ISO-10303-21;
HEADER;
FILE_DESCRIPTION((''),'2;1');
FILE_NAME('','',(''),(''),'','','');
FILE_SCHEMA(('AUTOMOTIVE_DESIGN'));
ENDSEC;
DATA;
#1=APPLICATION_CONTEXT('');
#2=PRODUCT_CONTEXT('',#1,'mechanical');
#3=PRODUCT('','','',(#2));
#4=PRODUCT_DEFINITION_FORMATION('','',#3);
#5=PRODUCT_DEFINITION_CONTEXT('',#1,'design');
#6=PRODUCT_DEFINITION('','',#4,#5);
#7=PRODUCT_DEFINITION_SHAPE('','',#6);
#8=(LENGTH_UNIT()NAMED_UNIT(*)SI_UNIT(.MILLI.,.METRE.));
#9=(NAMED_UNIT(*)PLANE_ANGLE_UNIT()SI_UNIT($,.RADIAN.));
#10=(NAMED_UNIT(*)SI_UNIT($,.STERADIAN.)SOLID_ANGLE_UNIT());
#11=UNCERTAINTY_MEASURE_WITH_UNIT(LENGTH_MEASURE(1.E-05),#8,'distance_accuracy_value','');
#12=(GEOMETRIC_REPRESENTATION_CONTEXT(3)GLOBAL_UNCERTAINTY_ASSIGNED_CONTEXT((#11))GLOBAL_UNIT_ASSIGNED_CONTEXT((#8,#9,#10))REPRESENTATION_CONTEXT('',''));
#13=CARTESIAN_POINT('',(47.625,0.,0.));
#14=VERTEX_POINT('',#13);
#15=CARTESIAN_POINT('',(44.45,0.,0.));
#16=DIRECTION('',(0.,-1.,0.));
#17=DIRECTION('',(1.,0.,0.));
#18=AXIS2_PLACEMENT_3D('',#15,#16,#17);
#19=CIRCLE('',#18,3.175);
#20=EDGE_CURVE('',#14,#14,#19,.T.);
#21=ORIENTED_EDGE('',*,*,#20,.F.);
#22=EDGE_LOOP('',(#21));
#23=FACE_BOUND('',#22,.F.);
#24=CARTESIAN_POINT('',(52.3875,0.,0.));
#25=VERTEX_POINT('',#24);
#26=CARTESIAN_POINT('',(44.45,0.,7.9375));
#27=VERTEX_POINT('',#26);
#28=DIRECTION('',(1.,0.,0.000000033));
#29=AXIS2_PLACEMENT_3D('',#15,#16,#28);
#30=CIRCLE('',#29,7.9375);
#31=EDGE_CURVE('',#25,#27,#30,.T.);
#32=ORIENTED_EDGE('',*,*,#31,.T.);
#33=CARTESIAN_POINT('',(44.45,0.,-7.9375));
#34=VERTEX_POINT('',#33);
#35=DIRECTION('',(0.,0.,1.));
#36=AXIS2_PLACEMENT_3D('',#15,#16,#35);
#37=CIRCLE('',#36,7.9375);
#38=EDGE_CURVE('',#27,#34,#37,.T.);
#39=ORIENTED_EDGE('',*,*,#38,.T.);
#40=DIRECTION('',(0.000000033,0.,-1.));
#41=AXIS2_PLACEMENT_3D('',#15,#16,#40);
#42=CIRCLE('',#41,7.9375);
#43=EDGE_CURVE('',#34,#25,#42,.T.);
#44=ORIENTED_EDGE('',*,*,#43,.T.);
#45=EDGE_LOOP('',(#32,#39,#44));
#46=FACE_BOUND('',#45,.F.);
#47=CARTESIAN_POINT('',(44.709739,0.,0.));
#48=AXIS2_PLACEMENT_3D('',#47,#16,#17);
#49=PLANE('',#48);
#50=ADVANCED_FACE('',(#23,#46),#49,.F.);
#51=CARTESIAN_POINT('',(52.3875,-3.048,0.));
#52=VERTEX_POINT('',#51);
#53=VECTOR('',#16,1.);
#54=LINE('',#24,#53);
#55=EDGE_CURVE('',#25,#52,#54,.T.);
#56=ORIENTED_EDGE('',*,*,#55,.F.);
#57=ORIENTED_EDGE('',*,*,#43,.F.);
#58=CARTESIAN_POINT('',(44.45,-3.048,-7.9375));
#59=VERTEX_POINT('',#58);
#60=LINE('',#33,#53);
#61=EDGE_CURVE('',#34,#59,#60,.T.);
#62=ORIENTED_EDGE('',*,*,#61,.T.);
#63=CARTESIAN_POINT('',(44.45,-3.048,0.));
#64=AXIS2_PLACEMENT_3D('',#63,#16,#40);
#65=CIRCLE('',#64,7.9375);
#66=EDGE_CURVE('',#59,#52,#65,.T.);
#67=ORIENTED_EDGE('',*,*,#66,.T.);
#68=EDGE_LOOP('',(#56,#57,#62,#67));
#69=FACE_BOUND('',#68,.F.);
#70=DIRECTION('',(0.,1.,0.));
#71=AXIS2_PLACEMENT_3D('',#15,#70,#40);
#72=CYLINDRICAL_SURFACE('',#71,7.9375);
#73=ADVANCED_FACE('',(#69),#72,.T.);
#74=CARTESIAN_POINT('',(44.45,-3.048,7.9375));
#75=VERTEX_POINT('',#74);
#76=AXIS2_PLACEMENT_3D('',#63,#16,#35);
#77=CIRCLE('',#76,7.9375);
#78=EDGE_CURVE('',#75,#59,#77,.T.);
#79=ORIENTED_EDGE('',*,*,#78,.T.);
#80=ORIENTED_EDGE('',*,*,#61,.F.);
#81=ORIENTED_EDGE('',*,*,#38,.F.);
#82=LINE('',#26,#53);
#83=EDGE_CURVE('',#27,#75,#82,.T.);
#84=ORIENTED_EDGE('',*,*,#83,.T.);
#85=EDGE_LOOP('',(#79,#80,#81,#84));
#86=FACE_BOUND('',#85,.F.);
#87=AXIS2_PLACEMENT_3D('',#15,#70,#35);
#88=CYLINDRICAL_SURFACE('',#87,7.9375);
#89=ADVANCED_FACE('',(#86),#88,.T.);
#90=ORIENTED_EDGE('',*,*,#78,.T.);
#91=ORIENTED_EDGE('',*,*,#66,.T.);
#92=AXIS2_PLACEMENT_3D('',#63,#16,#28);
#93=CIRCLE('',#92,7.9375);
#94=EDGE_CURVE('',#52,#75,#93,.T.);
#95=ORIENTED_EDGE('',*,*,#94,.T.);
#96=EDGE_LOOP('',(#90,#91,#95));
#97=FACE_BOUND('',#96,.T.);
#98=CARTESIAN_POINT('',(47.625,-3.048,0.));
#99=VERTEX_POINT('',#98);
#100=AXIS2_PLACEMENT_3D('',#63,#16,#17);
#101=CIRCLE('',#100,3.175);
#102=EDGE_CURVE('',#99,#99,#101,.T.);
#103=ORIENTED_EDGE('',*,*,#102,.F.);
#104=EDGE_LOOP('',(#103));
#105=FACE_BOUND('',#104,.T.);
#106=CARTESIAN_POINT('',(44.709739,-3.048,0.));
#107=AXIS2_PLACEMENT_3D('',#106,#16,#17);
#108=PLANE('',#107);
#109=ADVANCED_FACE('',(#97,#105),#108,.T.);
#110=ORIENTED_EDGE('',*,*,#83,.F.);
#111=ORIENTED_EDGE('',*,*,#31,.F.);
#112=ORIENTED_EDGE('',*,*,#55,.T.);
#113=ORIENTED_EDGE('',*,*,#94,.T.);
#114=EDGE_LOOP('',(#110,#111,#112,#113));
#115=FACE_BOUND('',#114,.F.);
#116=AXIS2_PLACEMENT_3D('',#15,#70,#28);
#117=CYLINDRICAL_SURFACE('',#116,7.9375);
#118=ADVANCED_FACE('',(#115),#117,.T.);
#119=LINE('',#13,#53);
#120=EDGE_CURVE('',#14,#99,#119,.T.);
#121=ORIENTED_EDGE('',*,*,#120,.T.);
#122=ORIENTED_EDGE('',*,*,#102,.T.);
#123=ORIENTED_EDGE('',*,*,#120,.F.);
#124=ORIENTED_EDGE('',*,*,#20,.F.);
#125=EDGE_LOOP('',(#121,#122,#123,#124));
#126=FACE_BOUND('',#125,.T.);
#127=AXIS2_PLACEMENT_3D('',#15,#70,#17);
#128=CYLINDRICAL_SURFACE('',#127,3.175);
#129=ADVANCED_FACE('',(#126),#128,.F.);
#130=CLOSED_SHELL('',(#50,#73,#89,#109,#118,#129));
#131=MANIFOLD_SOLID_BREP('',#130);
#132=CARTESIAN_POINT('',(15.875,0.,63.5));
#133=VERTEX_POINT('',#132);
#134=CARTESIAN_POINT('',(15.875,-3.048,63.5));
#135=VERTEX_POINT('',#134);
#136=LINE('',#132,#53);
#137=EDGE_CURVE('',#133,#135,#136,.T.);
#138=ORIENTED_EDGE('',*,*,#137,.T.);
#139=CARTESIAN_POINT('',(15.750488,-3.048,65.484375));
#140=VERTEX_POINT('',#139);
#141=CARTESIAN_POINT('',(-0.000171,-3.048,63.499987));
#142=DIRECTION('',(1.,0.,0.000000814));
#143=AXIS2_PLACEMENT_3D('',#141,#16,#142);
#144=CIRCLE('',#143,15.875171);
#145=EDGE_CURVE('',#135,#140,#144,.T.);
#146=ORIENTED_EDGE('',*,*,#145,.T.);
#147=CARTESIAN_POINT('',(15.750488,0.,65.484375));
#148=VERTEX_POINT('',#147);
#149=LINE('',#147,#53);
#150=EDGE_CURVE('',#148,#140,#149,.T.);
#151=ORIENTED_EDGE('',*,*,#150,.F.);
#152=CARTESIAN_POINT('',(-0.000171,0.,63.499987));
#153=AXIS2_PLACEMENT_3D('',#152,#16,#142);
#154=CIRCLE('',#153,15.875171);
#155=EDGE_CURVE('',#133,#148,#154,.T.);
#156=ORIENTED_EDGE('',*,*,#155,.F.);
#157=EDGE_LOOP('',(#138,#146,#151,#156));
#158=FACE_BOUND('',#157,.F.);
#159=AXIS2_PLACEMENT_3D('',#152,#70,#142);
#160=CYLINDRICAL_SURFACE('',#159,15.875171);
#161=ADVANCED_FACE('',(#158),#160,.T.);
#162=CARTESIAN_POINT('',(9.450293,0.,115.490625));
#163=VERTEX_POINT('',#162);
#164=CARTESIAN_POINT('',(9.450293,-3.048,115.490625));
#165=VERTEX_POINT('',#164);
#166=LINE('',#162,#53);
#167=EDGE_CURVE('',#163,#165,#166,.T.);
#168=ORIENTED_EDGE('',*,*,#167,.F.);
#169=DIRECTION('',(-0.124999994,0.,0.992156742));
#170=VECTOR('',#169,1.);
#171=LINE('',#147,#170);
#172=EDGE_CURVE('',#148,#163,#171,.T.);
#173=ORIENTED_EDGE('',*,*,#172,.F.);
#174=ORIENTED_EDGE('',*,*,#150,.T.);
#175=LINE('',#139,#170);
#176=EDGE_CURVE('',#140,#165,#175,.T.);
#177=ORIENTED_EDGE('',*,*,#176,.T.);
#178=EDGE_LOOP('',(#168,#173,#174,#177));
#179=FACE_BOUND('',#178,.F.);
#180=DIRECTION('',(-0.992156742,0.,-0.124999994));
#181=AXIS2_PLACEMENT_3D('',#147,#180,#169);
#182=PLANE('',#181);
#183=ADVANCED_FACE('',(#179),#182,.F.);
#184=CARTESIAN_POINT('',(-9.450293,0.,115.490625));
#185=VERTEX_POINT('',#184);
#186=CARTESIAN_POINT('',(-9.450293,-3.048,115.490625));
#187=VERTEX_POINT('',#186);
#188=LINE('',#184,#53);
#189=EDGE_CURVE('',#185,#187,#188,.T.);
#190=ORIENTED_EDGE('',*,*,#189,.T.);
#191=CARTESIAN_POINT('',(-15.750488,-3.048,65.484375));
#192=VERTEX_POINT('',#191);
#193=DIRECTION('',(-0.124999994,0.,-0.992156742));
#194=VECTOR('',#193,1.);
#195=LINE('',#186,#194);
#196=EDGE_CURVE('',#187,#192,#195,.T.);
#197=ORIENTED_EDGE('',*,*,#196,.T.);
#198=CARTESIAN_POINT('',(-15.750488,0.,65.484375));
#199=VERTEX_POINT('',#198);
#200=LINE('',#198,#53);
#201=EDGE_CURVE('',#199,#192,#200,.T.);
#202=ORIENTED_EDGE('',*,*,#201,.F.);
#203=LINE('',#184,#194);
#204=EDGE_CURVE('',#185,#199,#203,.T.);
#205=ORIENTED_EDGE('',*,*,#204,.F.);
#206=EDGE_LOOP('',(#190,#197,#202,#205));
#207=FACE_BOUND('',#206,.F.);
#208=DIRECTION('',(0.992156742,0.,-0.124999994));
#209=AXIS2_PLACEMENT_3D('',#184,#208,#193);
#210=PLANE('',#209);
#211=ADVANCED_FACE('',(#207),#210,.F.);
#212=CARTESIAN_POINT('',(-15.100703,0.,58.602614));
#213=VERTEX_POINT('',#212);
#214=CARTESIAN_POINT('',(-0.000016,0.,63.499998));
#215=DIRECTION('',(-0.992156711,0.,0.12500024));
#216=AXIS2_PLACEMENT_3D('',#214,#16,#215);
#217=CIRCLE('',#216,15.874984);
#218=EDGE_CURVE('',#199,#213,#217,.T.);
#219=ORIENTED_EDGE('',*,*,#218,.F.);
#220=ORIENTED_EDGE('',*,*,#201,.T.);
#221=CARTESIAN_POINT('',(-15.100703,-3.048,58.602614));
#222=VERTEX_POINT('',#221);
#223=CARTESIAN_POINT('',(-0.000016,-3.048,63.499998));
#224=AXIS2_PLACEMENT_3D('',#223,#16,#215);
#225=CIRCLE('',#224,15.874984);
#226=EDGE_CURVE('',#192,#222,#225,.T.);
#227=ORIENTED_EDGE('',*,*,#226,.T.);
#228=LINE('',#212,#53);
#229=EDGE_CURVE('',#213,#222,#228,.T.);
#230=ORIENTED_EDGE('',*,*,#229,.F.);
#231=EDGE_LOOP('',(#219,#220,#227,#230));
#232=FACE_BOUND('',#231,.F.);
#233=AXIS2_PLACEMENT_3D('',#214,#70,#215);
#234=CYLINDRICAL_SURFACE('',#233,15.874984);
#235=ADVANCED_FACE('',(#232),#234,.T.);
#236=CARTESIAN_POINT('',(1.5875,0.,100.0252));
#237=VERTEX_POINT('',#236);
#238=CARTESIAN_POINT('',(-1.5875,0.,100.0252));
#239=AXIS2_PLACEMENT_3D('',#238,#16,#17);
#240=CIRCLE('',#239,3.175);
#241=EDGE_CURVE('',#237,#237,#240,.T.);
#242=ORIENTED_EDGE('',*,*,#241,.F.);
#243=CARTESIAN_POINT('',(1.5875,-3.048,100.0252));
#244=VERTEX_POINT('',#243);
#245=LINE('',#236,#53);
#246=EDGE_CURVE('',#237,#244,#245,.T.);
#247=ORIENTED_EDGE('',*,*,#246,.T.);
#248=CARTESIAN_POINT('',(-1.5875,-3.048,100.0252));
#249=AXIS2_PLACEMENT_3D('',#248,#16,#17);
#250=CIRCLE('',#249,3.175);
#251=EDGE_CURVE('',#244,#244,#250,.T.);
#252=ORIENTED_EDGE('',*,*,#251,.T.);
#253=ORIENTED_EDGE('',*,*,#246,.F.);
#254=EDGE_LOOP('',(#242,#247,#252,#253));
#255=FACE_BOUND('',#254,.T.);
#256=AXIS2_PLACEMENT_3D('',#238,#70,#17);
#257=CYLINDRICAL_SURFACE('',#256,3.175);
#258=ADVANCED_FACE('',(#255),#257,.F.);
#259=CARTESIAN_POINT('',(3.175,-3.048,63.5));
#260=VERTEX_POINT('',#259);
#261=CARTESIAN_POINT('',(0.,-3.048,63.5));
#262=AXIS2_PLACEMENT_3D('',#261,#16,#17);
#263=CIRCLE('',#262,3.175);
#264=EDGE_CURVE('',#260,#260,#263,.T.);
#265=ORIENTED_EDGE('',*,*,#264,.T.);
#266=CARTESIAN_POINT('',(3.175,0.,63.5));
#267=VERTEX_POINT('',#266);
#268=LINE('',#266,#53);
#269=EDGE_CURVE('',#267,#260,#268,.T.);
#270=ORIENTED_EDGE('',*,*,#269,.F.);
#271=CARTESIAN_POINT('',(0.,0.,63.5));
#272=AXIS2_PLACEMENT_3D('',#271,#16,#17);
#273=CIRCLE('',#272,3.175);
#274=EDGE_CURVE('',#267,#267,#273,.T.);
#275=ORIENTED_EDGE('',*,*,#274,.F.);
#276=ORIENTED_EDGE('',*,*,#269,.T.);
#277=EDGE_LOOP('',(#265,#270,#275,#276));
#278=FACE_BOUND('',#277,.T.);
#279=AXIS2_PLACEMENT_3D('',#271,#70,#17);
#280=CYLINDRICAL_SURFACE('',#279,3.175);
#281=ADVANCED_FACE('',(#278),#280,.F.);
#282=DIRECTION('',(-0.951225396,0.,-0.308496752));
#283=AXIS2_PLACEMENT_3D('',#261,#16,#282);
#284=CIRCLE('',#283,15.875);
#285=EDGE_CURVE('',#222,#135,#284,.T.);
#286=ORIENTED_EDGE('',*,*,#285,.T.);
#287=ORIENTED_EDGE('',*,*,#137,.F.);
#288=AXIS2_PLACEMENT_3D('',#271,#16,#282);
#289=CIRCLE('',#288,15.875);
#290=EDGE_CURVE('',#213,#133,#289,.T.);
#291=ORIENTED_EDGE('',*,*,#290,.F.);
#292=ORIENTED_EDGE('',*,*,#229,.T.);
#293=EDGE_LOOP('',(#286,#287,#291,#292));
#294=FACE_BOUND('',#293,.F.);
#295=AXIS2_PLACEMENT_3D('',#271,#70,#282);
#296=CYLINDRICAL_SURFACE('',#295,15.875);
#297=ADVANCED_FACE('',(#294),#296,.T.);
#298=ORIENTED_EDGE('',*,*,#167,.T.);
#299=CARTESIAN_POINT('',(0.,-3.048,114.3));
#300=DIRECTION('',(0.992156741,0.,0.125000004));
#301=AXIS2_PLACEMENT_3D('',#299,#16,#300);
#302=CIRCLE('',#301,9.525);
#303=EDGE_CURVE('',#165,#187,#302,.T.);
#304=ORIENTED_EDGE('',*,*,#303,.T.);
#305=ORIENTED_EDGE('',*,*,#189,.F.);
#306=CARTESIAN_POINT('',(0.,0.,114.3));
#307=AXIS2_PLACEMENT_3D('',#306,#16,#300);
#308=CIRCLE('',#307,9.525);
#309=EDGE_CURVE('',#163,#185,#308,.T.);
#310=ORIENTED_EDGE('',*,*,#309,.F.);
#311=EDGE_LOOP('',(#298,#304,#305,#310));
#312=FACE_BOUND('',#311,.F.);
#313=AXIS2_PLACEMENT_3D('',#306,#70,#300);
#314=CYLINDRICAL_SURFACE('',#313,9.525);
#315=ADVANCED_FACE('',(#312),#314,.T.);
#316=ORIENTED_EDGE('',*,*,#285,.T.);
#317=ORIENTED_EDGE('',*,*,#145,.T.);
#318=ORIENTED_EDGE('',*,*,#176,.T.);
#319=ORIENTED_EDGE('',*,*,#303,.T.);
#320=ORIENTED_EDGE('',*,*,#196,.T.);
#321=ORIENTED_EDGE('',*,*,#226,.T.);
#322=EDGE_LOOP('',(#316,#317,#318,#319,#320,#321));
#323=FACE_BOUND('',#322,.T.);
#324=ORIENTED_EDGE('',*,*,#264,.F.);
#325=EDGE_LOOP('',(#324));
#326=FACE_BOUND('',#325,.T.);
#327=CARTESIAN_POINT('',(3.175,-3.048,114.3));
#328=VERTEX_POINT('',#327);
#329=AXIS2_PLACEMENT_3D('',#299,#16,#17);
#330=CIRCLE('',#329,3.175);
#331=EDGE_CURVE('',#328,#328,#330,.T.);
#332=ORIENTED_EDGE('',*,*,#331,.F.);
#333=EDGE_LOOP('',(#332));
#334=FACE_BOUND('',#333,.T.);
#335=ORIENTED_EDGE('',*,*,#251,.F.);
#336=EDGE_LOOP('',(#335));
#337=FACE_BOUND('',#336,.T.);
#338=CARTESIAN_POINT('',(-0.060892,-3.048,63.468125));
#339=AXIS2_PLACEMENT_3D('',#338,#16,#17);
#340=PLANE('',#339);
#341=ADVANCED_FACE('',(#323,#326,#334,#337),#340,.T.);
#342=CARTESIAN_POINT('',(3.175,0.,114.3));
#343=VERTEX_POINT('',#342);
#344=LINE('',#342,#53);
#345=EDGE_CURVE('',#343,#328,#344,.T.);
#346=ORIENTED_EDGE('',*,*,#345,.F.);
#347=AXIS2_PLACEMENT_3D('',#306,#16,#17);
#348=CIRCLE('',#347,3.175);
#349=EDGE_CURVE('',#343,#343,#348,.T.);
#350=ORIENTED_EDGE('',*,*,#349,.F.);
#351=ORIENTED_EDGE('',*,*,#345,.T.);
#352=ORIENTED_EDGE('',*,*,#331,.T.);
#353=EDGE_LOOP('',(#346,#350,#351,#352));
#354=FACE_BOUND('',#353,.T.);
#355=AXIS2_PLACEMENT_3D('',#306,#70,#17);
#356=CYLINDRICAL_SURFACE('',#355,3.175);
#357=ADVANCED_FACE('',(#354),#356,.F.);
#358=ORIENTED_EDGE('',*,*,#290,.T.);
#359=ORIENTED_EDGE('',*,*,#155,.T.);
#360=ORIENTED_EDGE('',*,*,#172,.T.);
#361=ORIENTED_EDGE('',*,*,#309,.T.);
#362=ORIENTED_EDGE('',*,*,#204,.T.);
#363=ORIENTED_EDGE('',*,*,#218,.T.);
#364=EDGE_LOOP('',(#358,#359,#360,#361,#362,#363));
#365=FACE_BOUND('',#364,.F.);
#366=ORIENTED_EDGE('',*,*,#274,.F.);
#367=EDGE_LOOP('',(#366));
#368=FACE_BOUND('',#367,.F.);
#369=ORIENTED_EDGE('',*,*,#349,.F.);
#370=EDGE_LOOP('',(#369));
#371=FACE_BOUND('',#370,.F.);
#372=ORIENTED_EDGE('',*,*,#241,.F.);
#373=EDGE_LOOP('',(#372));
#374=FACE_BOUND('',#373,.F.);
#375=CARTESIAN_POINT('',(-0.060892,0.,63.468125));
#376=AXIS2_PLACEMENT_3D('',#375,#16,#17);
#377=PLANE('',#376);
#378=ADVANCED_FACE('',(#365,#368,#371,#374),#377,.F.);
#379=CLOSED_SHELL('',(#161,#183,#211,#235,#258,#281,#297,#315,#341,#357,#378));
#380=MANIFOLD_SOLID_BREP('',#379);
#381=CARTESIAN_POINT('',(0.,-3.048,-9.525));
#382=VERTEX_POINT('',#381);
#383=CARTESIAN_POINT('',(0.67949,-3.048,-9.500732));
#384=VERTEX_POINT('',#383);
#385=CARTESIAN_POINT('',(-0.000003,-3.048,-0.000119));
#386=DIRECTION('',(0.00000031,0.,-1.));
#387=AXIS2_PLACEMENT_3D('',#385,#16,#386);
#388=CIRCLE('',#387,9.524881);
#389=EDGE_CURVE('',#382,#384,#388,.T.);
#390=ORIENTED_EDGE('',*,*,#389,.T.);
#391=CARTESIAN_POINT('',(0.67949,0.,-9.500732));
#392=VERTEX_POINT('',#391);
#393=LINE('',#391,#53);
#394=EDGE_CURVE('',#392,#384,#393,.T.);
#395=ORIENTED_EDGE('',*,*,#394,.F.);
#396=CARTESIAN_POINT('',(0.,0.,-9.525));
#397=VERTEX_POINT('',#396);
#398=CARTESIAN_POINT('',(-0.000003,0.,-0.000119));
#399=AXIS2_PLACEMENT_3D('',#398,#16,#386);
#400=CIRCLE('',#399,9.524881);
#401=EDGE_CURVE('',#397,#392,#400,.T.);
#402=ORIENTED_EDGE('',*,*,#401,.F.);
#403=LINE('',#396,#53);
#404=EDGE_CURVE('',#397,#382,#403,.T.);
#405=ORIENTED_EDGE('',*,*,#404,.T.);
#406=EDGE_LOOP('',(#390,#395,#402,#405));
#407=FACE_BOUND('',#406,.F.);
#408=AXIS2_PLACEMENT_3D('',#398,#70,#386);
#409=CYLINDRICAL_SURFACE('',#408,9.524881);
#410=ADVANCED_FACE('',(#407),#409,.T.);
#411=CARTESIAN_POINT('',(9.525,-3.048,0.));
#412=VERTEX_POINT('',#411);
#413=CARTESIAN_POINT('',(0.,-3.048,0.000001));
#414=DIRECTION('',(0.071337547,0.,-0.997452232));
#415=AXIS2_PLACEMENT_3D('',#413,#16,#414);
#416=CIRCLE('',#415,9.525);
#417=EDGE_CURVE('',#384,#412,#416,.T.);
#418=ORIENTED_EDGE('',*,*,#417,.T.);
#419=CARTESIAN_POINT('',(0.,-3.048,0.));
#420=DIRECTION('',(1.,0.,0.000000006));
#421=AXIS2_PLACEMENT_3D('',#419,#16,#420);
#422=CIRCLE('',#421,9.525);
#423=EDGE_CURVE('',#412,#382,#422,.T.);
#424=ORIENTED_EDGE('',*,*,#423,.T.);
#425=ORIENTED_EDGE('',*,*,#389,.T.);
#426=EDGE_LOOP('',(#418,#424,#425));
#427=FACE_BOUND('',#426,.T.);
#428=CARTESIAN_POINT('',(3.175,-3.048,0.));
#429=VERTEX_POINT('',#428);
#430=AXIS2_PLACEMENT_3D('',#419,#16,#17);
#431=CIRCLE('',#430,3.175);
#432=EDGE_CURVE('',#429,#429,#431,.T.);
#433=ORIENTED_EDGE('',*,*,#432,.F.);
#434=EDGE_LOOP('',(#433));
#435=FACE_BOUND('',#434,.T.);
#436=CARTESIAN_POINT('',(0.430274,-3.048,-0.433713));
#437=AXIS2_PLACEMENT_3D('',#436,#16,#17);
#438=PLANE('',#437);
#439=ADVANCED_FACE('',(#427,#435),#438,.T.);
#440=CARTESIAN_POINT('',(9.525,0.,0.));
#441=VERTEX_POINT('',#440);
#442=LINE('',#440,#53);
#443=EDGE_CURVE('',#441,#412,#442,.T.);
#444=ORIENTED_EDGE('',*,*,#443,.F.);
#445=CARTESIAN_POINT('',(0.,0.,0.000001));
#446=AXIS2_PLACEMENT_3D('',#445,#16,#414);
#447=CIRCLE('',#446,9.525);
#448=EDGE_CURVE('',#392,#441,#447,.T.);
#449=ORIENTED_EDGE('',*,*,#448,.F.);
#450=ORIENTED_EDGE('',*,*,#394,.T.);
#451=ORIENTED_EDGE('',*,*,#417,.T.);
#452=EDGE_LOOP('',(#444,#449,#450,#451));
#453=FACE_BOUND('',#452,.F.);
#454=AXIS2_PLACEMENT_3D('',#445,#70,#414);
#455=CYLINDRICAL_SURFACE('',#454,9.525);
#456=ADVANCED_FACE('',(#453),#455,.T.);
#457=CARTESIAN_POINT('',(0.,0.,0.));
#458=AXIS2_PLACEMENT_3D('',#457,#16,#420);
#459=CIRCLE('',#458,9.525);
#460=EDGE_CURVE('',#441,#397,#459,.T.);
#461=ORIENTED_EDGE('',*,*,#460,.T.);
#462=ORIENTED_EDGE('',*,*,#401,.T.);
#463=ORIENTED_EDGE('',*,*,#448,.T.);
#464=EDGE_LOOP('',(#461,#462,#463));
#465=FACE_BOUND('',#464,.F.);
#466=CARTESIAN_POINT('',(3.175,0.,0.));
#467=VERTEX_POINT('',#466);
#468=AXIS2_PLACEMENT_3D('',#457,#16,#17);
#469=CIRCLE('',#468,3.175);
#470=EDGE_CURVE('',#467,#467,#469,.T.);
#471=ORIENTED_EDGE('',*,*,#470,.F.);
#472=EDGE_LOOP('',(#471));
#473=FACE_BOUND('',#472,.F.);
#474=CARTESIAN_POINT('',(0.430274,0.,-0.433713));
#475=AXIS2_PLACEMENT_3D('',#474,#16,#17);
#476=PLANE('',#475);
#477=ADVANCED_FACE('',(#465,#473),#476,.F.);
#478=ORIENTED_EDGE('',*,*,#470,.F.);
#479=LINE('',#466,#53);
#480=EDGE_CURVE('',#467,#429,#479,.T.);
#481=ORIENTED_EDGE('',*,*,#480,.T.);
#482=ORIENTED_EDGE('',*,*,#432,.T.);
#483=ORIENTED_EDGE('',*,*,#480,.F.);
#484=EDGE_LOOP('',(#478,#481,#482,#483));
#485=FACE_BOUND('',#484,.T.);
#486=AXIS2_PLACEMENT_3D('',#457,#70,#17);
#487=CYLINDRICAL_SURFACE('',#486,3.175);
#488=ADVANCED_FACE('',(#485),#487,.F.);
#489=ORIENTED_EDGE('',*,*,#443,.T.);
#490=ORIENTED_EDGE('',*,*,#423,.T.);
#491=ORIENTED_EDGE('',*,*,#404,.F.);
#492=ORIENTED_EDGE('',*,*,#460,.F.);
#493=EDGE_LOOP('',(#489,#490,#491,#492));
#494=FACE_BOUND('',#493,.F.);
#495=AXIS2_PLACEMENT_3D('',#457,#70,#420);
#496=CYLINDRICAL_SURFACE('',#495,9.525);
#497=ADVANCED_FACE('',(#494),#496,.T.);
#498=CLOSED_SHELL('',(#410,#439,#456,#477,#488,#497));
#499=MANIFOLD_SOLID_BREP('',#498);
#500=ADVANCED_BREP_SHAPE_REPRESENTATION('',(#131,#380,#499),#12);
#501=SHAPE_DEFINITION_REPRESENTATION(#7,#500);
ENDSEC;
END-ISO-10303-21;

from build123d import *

# Parameters (mm, degrees)
F0_R     = 3.175
F1_DEPTH = 3.048


with BuildPart() as f1:
    # F0 (on Front) → F1 (new body)
    with BuildSketch(Plane.XZ):
        with BuildLine():
            ThreePointArc((0.67949, -9.500732), (6.97129, -6.490511), (9.525, 0))
            ThreePointArc((9.525, 0), (-6.735192, 6.735192), (0, -9.525))
            Line((0, -9.525), (0.67949, -9.500732))
        make_face()
        Circle(F0_R, mode=Mode.SUBTRACT)
        with BuildLine():
            ThreePointArc((-15.100703, 58.602614), (2.479109, 47.819769), (15.875, 63.5))
            ThreePointArc((15.875, 63.5), (15.843841, 64.494139), (15.750488, 65.484375))
            ThreePointArc((15.750488, 65.484375), (0, 79.375), (-15.750488, 65.484375))
            Line((-15.750488, 65.484375), (-15.100703, 58.602614))
        make_face()
        with Locations((0, 63.5)):
            Circle(F0_R, mode=Mode.SUBTRACT)
        with BuildLine():
            ThreePointArc((44.45, 7.9375), (36.5125, 0), (44.45, -7.9375))
            ThreePointArc((44.45, -7.9375), (50.06266, -5.61266), (52.3875, 0))
            ThreePointArc((52.3875, 0), (50.06266, 5.61266), (44.45, 7.9375))
        make_face()
        with Locations((44.45, 0)):
            Circle(F0_R, mode=Mode.SUBTRACT)
        with BuildLine():
            Line((0.67949, -9.500732), (0, -9.525))
            ThreePointArc((0, -9.525), (0.339962, -9.518931), (0.67949, -9.500732))
        make_face()
        with BuildLine():
            ThreePointArc((-15.750488, 65.484375), (0, 79.375), (15.750488, 65.484375))
            Line((15.750488, 65.484375), (9.450293, 115.490625))
            ThreePointArc((9.450293, 115.490625), (9.506305, 114.896483), (9.525, 114.3))
            ThreePointArc((9.525, 114.3), (-0.596483, 104.793695), (-9.450293, 115.490625))
            Line((-9.450293, 115.490625), (-15.750488, 65.484375))
        make_face()
        with Locations((-1.5875, 100.0252)):
            Circle(F0_R, mode=Mode.SUBTRACT)
        with BuildLine():
            ThreePointArc((-15.750488, 65.484375), (-15.804704, 62.007699), (-15.100703, 58.602614))
            Line((-15.100703, 58.602614), (-15.750488, 65.484375))
        make_face()
        with BuildLine():
            ThreePointArc((9.525, 114.3), (9.506305, 114.896483), (9.450293, 115.490625))
            ThreePointArc((9.450293, 115.490625), (0, 123.825), (-9.450293, 115.490625))
            ThreePointArc((-9.450293, 115.490625), (-0.596483, 104.793695), (9.525, 114.3))
        make_face()
        with Locations((0, 114.3)):
            Circle(F0_R, mode=Mode.SUBTRACT)
    extrude(amount=F1_DEPTH)


solid = f1.part
